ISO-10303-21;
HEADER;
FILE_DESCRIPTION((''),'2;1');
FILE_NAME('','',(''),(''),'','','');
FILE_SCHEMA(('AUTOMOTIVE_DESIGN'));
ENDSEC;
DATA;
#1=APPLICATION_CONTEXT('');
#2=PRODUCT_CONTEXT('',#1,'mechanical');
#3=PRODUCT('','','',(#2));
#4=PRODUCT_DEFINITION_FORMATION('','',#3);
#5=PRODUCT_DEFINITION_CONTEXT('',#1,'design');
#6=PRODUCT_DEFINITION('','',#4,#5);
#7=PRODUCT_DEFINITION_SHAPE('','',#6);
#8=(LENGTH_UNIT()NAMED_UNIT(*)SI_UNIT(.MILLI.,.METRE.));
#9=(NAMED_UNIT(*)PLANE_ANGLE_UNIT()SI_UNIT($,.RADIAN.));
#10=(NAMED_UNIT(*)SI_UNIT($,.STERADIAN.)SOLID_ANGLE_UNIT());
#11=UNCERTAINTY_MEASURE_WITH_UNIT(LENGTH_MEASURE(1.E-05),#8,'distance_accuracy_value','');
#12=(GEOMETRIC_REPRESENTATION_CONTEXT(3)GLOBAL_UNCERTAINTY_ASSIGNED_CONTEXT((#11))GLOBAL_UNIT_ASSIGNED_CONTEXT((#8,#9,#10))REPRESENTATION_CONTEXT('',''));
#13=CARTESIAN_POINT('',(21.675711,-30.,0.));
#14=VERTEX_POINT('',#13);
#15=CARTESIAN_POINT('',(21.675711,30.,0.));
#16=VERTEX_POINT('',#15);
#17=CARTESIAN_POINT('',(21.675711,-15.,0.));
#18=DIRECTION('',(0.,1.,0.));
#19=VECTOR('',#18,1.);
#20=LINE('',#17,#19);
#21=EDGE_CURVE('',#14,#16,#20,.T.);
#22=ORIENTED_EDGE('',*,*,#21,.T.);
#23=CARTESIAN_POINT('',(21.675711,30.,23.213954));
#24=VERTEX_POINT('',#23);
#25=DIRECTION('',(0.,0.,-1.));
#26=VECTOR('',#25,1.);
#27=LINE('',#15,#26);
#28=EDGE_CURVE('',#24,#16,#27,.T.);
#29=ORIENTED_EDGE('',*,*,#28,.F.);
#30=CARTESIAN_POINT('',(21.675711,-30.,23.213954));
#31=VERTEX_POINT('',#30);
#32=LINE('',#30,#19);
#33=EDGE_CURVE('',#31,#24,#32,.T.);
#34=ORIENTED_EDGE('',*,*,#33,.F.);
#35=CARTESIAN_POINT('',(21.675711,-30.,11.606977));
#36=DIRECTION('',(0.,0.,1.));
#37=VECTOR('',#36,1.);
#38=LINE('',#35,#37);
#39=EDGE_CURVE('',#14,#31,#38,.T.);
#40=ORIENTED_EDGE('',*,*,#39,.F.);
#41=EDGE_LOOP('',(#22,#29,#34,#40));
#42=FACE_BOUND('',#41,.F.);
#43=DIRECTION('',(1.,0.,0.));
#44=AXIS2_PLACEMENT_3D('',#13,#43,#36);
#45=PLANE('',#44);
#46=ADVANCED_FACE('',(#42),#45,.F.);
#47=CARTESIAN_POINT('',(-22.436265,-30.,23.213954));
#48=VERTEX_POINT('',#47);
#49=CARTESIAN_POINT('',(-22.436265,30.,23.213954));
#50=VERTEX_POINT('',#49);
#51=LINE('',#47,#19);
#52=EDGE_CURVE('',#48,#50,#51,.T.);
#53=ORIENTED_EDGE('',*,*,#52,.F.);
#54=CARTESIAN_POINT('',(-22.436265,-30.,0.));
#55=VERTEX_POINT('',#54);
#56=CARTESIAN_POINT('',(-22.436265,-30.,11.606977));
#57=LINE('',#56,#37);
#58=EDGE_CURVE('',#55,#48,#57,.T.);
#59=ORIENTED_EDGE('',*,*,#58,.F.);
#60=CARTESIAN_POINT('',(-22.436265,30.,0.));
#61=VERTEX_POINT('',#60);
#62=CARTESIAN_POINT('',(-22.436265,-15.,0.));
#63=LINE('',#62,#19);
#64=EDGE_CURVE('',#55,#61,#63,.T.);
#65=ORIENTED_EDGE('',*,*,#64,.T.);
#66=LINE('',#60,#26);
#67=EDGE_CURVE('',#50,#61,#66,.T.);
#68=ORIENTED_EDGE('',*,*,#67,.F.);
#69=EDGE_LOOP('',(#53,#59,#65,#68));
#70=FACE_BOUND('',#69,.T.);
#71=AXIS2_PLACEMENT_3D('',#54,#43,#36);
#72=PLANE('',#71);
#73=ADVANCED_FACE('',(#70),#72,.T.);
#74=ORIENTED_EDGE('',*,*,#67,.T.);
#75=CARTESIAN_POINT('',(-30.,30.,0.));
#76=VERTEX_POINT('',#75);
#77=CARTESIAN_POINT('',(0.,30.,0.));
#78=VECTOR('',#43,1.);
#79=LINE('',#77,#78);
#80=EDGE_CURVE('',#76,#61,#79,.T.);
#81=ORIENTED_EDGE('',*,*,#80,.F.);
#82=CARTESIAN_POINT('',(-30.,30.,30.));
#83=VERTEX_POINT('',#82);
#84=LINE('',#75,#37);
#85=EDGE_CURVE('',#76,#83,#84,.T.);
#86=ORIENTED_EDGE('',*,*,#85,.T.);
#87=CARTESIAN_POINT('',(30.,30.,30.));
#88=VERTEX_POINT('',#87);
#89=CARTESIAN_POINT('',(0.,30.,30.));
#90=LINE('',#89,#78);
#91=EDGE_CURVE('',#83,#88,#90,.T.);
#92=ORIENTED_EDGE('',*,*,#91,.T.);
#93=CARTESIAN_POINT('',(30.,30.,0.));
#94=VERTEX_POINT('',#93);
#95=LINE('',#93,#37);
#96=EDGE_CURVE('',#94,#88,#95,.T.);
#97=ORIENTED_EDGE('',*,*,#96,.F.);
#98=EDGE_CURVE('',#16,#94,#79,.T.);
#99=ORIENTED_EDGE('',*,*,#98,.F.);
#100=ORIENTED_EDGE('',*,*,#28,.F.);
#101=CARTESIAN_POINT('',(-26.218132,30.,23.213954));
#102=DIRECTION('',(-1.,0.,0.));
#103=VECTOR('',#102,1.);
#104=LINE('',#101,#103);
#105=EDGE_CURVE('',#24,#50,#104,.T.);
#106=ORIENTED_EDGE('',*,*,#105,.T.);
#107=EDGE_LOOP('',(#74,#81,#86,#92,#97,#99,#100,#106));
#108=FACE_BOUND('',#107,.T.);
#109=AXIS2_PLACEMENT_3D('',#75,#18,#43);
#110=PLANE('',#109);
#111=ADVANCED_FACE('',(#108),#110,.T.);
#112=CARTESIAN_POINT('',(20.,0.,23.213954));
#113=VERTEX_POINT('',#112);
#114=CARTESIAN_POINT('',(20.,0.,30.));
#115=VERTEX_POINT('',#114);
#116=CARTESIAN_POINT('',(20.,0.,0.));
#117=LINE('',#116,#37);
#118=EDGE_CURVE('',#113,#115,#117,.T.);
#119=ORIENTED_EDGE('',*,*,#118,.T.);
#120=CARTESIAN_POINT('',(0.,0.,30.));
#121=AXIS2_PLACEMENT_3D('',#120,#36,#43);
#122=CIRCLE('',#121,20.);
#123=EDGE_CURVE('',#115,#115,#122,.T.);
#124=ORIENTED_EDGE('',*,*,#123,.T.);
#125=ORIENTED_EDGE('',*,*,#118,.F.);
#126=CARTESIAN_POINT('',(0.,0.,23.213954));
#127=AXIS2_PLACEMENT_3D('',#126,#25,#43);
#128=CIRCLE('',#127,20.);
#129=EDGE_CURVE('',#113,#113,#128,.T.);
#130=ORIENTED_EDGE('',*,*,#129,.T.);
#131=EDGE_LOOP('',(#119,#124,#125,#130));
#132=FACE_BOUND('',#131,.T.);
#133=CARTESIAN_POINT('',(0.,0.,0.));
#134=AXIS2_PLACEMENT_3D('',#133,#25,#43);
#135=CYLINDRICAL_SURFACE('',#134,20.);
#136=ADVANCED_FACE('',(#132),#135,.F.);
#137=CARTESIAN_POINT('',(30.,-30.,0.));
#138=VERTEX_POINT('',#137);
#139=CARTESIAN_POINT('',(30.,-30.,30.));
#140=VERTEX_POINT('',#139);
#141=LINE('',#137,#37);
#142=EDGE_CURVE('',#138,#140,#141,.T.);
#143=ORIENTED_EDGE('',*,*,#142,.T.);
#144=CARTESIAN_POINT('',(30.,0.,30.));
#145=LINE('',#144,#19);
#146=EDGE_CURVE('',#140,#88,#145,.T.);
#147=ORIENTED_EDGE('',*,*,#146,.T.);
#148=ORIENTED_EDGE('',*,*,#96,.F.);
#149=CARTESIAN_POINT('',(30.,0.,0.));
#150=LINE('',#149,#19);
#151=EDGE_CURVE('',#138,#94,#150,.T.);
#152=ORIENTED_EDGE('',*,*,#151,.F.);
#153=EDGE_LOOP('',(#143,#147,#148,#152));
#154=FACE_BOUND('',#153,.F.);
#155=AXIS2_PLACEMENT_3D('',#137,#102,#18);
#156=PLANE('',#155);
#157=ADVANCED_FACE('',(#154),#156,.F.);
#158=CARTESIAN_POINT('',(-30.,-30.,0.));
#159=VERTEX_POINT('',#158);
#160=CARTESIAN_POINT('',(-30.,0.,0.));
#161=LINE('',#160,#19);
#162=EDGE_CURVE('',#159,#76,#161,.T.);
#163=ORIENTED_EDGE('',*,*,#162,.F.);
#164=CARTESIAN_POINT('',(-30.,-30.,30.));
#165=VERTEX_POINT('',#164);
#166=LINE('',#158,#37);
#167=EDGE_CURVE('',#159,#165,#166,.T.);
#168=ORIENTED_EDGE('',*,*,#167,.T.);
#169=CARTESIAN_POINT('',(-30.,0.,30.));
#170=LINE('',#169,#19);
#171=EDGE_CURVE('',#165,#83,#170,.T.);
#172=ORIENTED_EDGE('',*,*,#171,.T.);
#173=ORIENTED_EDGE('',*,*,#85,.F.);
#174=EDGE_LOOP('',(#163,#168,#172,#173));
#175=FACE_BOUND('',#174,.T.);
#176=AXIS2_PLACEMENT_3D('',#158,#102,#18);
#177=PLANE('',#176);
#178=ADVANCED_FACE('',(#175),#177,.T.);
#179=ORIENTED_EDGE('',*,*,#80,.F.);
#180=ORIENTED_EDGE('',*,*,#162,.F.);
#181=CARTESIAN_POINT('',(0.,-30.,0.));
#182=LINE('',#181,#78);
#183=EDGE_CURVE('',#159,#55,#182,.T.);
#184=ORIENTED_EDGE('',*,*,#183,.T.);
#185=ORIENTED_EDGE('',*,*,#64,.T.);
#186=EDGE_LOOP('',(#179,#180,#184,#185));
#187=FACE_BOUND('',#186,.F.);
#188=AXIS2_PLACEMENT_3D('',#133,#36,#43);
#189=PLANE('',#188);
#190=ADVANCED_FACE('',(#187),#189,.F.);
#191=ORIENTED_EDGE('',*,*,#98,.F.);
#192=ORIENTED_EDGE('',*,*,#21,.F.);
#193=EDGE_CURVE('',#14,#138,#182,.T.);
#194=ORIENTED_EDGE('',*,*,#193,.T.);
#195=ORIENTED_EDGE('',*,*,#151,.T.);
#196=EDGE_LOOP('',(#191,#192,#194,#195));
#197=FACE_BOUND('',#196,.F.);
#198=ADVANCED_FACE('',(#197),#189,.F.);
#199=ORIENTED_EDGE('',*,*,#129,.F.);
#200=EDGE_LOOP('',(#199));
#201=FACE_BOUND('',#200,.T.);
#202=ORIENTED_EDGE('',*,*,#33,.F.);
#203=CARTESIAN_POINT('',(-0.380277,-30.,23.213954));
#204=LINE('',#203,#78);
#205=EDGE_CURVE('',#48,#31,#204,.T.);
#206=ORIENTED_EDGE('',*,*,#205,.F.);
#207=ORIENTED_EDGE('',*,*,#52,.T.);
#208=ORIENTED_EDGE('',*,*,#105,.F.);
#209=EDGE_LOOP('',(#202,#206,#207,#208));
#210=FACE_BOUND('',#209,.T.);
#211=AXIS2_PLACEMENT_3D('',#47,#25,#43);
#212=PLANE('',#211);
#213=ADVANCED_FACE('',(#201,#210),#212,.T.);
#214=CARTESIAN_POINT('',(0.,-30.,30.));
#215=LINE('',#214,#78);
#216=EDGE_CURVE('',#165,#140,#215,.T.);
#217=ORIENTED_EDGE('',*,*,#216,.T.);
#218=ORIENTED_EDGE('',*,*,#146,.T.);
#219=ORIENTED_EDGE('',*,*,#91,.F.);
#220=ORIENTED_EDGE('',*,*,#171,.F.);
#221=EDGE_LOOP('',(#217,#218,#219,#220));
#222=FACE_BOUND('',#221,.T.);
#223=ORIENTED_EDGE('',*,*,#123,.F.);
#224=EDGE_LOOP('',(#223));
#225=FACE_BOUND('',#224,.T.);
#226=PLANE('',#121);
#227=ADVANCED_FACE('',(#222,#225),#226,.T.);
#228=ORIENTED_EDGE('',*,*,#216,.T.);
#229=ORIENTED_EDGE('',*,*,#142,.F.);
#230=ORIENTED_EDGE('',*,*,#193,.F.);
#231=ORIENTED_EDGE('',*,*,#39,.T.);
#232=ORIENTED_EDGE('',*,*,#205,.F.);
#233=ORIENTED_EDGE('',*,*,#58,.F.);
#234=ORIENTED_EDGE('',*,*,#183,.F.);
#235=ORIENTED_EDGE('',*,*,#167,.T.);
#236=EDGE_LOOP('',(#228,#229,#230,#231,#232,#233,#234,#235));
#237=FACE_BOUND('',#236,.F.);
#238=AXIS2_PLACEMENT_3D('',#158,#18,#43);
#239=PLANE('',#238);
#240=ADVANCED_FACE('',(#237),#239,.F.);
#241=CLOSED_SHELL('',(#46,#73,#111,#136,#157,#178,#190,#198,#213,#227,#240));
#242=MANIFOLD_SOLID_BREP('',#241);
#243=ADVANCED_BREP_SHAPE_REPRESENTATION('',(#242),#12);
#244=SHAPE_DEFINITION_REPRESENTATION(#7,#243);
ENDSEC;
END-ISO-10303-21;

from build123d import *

# Parameters (mm, degrees)
F0_W     = 60
F0_H     = 60
F0_R     = 20
F1_DEPTH = 30
F2_W     = 44.111976
F2_H     = 23.213955
F3_DEPTH = 76.2


with BuildPart() as f1:
    # F0 (on Top) → F1 (new body)
    with BuildSketch(Plane.XY):
        Rectangle(F0_W, F0_H)
        Circle(F0_R, mode=Mode.SUBTRACT)
    extrude(amount=F1_DEPTH)

    # F2 (on face) → F3 (cut)
    with BuildSketch(Plane.XZ.offset(30)):
        with Locations((-0.380277, 11.606977)):
            Rectangle(F2_W, F2_H)
    extrude(amount=-F3_DEPTH, mode=Mode.SUBTRACT)


solid = f1.part
